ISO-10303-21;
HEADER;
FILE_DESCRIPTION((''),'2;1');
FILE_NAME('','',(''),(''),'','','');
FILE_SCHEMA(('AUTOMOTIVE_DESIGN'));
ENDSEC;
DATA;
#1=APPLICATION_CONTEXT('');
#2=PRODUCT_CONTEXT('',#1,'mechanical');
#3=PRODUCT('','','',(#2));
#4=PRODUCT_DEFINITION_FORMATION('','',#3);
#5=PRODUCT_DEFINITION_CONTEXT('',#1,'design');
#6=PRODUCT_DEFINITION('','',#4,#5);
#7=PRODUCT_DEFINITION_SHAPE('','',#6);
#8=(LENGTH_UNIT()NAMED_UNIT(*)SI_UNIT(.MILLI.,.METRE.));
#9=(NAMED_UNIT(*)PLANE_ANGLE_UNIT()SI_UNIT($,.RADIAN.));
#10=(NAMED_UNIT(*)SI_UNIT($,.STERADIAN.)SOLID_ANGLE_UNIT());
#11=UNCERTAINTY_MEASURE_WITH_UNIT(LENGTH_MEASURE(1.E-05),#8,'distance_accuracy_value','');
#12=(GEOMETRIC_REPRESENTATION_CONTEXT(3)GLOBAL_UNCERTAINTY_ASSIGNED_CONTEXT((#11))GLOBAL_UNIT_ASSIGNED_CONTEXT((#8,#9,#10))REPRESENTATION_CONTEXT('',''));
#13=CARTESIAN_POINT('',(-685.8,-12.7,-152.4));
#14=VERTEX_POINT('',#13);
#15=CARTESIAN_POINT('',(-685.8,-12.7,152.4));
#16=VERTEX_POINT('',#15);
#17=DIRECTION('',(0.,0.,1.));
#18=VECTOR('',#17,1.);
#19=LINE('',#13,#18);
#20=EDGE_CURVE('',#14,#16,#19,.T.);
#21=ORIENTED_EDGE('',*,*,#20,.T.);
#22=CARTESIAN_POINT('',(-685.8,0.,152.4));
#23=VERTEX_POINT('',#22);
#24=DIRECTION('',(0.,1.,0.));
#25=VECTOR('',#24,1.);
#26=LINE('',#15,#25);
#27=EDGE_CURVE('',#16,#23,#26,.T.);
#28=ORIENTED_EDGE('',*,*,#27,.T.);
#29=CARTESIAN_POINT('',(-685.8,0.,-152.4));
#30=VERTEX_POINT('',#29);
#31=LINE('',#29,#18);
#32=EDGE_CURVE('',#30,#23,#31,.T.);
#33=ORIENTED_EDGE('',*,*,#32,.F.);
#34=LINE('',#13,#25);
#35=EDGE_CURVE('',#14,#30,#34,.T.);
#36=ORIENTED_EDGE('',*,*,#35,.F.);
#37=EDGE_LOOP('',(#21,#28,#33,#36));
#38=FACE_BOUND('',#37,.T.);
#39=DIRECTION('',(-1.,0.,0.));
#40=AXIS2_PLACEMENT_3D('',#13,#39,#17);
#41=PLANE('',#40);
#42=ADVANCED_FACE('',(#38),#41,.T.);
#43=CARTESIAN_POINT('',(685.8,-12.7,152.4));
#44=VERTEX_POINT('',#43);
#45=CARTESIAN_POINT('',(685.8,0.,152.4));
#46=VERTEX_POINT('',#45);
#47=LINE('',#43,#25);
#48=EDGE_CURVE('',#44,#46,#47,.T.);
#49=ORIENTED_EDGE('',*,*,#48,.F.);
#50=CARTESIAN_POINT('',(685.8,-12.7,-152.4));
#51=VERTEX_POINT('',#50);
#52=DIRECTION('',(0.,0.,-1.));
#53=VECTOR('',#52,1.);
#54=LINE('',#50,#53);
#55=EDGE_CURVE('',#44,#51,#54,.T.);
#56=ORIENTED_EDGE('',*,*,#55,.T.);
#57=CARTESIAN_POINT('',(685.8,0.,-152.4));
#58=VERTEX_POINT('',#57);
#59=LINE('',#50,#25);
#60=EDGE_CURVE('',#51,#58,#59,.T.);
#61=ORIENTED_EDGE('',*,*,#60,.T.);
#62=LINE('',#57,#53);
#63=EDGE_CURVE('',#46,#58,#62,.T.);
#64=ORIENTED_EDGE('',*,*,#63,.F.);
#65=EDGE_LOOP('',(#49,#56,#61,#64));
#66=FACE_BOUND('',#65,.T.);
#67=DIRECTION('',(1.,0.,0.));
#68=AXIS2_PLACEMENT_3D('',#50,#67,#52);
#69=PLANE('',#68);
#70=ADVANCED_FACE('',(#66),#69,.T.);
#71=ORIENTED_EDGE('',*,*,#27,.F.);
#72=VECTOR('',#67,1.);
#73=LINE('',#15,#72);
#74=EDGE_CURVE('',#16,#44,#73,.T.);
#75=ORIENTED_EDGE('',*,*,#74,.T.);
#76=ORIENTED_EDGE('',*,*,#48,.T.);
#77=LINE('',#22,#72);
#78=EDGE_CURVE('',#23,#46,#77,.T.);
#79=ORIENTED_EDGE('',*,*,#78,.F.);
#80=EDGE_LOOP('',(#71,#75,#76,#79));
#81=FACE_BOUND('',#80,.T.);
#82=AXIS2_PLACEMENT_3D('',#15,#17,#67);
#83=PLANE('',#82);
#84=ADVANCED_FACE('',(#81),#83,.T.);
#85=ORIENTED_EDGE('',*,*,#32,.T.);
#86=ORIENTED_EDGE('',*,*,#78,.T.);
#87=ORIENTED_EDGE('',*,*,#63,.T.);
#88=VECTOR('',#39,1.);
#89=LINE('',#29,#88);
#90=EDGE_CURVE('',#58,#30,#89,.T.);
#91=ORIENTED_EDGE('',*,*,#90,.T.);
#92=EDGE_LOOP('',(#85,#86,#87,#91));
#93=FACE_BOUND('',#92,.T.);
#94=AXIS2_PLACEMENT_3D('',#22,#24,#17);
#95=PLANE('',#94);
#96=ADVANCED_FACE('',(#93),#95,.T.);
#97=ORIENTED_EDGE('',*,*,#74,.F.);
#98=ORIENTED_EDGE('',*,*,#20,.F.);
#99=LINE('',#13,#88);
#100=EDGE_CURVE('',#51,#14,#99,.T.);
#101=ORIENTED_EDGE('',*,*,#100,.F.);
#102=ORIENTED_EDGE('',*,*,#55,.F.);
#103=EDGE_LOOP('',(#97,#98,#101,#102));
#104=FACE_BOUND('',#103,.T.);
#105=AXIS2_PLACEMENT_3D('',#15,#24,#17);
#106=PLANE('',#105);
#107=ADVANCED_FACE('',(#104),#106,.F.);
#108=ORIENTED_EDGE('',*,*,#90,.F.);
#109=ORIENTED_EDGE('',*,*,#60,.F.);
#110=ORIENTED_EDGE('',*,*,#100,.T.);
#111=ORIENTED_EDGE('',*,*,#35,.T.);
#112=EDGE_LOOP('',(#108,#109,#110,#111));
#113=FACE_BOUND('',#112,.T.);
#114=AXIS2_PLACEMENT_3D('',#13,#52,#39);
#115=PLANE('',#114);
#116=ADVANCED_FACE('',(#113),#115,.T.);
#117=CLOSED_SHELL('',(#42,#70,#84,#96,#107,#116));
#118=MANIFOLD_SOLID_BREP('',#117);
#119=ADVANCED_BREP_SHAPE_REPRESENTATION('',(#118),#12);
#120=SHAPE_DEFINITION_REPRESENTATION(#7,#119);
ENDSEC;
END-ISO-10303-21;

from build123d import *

# Parameters (mm, degrees)
SKETCH1_W      = 1371.6
SKETCH1_H      = 304.8
EXTRUDE1_DEPTH = 12.7


with BuildPart() as part:
    # Sketch1 → Extrude1 (new body)
    with BuildSketch(Plane(origin=(0, 0, 0), x_dir=(1, 0, 0), z_dir=(0, 1, 0))):
        Rectangle(SKETCH1_W, SKETCH1_H)
    extrude(amount=-EXTRUDE1_DEPTH)


solid = part.part
